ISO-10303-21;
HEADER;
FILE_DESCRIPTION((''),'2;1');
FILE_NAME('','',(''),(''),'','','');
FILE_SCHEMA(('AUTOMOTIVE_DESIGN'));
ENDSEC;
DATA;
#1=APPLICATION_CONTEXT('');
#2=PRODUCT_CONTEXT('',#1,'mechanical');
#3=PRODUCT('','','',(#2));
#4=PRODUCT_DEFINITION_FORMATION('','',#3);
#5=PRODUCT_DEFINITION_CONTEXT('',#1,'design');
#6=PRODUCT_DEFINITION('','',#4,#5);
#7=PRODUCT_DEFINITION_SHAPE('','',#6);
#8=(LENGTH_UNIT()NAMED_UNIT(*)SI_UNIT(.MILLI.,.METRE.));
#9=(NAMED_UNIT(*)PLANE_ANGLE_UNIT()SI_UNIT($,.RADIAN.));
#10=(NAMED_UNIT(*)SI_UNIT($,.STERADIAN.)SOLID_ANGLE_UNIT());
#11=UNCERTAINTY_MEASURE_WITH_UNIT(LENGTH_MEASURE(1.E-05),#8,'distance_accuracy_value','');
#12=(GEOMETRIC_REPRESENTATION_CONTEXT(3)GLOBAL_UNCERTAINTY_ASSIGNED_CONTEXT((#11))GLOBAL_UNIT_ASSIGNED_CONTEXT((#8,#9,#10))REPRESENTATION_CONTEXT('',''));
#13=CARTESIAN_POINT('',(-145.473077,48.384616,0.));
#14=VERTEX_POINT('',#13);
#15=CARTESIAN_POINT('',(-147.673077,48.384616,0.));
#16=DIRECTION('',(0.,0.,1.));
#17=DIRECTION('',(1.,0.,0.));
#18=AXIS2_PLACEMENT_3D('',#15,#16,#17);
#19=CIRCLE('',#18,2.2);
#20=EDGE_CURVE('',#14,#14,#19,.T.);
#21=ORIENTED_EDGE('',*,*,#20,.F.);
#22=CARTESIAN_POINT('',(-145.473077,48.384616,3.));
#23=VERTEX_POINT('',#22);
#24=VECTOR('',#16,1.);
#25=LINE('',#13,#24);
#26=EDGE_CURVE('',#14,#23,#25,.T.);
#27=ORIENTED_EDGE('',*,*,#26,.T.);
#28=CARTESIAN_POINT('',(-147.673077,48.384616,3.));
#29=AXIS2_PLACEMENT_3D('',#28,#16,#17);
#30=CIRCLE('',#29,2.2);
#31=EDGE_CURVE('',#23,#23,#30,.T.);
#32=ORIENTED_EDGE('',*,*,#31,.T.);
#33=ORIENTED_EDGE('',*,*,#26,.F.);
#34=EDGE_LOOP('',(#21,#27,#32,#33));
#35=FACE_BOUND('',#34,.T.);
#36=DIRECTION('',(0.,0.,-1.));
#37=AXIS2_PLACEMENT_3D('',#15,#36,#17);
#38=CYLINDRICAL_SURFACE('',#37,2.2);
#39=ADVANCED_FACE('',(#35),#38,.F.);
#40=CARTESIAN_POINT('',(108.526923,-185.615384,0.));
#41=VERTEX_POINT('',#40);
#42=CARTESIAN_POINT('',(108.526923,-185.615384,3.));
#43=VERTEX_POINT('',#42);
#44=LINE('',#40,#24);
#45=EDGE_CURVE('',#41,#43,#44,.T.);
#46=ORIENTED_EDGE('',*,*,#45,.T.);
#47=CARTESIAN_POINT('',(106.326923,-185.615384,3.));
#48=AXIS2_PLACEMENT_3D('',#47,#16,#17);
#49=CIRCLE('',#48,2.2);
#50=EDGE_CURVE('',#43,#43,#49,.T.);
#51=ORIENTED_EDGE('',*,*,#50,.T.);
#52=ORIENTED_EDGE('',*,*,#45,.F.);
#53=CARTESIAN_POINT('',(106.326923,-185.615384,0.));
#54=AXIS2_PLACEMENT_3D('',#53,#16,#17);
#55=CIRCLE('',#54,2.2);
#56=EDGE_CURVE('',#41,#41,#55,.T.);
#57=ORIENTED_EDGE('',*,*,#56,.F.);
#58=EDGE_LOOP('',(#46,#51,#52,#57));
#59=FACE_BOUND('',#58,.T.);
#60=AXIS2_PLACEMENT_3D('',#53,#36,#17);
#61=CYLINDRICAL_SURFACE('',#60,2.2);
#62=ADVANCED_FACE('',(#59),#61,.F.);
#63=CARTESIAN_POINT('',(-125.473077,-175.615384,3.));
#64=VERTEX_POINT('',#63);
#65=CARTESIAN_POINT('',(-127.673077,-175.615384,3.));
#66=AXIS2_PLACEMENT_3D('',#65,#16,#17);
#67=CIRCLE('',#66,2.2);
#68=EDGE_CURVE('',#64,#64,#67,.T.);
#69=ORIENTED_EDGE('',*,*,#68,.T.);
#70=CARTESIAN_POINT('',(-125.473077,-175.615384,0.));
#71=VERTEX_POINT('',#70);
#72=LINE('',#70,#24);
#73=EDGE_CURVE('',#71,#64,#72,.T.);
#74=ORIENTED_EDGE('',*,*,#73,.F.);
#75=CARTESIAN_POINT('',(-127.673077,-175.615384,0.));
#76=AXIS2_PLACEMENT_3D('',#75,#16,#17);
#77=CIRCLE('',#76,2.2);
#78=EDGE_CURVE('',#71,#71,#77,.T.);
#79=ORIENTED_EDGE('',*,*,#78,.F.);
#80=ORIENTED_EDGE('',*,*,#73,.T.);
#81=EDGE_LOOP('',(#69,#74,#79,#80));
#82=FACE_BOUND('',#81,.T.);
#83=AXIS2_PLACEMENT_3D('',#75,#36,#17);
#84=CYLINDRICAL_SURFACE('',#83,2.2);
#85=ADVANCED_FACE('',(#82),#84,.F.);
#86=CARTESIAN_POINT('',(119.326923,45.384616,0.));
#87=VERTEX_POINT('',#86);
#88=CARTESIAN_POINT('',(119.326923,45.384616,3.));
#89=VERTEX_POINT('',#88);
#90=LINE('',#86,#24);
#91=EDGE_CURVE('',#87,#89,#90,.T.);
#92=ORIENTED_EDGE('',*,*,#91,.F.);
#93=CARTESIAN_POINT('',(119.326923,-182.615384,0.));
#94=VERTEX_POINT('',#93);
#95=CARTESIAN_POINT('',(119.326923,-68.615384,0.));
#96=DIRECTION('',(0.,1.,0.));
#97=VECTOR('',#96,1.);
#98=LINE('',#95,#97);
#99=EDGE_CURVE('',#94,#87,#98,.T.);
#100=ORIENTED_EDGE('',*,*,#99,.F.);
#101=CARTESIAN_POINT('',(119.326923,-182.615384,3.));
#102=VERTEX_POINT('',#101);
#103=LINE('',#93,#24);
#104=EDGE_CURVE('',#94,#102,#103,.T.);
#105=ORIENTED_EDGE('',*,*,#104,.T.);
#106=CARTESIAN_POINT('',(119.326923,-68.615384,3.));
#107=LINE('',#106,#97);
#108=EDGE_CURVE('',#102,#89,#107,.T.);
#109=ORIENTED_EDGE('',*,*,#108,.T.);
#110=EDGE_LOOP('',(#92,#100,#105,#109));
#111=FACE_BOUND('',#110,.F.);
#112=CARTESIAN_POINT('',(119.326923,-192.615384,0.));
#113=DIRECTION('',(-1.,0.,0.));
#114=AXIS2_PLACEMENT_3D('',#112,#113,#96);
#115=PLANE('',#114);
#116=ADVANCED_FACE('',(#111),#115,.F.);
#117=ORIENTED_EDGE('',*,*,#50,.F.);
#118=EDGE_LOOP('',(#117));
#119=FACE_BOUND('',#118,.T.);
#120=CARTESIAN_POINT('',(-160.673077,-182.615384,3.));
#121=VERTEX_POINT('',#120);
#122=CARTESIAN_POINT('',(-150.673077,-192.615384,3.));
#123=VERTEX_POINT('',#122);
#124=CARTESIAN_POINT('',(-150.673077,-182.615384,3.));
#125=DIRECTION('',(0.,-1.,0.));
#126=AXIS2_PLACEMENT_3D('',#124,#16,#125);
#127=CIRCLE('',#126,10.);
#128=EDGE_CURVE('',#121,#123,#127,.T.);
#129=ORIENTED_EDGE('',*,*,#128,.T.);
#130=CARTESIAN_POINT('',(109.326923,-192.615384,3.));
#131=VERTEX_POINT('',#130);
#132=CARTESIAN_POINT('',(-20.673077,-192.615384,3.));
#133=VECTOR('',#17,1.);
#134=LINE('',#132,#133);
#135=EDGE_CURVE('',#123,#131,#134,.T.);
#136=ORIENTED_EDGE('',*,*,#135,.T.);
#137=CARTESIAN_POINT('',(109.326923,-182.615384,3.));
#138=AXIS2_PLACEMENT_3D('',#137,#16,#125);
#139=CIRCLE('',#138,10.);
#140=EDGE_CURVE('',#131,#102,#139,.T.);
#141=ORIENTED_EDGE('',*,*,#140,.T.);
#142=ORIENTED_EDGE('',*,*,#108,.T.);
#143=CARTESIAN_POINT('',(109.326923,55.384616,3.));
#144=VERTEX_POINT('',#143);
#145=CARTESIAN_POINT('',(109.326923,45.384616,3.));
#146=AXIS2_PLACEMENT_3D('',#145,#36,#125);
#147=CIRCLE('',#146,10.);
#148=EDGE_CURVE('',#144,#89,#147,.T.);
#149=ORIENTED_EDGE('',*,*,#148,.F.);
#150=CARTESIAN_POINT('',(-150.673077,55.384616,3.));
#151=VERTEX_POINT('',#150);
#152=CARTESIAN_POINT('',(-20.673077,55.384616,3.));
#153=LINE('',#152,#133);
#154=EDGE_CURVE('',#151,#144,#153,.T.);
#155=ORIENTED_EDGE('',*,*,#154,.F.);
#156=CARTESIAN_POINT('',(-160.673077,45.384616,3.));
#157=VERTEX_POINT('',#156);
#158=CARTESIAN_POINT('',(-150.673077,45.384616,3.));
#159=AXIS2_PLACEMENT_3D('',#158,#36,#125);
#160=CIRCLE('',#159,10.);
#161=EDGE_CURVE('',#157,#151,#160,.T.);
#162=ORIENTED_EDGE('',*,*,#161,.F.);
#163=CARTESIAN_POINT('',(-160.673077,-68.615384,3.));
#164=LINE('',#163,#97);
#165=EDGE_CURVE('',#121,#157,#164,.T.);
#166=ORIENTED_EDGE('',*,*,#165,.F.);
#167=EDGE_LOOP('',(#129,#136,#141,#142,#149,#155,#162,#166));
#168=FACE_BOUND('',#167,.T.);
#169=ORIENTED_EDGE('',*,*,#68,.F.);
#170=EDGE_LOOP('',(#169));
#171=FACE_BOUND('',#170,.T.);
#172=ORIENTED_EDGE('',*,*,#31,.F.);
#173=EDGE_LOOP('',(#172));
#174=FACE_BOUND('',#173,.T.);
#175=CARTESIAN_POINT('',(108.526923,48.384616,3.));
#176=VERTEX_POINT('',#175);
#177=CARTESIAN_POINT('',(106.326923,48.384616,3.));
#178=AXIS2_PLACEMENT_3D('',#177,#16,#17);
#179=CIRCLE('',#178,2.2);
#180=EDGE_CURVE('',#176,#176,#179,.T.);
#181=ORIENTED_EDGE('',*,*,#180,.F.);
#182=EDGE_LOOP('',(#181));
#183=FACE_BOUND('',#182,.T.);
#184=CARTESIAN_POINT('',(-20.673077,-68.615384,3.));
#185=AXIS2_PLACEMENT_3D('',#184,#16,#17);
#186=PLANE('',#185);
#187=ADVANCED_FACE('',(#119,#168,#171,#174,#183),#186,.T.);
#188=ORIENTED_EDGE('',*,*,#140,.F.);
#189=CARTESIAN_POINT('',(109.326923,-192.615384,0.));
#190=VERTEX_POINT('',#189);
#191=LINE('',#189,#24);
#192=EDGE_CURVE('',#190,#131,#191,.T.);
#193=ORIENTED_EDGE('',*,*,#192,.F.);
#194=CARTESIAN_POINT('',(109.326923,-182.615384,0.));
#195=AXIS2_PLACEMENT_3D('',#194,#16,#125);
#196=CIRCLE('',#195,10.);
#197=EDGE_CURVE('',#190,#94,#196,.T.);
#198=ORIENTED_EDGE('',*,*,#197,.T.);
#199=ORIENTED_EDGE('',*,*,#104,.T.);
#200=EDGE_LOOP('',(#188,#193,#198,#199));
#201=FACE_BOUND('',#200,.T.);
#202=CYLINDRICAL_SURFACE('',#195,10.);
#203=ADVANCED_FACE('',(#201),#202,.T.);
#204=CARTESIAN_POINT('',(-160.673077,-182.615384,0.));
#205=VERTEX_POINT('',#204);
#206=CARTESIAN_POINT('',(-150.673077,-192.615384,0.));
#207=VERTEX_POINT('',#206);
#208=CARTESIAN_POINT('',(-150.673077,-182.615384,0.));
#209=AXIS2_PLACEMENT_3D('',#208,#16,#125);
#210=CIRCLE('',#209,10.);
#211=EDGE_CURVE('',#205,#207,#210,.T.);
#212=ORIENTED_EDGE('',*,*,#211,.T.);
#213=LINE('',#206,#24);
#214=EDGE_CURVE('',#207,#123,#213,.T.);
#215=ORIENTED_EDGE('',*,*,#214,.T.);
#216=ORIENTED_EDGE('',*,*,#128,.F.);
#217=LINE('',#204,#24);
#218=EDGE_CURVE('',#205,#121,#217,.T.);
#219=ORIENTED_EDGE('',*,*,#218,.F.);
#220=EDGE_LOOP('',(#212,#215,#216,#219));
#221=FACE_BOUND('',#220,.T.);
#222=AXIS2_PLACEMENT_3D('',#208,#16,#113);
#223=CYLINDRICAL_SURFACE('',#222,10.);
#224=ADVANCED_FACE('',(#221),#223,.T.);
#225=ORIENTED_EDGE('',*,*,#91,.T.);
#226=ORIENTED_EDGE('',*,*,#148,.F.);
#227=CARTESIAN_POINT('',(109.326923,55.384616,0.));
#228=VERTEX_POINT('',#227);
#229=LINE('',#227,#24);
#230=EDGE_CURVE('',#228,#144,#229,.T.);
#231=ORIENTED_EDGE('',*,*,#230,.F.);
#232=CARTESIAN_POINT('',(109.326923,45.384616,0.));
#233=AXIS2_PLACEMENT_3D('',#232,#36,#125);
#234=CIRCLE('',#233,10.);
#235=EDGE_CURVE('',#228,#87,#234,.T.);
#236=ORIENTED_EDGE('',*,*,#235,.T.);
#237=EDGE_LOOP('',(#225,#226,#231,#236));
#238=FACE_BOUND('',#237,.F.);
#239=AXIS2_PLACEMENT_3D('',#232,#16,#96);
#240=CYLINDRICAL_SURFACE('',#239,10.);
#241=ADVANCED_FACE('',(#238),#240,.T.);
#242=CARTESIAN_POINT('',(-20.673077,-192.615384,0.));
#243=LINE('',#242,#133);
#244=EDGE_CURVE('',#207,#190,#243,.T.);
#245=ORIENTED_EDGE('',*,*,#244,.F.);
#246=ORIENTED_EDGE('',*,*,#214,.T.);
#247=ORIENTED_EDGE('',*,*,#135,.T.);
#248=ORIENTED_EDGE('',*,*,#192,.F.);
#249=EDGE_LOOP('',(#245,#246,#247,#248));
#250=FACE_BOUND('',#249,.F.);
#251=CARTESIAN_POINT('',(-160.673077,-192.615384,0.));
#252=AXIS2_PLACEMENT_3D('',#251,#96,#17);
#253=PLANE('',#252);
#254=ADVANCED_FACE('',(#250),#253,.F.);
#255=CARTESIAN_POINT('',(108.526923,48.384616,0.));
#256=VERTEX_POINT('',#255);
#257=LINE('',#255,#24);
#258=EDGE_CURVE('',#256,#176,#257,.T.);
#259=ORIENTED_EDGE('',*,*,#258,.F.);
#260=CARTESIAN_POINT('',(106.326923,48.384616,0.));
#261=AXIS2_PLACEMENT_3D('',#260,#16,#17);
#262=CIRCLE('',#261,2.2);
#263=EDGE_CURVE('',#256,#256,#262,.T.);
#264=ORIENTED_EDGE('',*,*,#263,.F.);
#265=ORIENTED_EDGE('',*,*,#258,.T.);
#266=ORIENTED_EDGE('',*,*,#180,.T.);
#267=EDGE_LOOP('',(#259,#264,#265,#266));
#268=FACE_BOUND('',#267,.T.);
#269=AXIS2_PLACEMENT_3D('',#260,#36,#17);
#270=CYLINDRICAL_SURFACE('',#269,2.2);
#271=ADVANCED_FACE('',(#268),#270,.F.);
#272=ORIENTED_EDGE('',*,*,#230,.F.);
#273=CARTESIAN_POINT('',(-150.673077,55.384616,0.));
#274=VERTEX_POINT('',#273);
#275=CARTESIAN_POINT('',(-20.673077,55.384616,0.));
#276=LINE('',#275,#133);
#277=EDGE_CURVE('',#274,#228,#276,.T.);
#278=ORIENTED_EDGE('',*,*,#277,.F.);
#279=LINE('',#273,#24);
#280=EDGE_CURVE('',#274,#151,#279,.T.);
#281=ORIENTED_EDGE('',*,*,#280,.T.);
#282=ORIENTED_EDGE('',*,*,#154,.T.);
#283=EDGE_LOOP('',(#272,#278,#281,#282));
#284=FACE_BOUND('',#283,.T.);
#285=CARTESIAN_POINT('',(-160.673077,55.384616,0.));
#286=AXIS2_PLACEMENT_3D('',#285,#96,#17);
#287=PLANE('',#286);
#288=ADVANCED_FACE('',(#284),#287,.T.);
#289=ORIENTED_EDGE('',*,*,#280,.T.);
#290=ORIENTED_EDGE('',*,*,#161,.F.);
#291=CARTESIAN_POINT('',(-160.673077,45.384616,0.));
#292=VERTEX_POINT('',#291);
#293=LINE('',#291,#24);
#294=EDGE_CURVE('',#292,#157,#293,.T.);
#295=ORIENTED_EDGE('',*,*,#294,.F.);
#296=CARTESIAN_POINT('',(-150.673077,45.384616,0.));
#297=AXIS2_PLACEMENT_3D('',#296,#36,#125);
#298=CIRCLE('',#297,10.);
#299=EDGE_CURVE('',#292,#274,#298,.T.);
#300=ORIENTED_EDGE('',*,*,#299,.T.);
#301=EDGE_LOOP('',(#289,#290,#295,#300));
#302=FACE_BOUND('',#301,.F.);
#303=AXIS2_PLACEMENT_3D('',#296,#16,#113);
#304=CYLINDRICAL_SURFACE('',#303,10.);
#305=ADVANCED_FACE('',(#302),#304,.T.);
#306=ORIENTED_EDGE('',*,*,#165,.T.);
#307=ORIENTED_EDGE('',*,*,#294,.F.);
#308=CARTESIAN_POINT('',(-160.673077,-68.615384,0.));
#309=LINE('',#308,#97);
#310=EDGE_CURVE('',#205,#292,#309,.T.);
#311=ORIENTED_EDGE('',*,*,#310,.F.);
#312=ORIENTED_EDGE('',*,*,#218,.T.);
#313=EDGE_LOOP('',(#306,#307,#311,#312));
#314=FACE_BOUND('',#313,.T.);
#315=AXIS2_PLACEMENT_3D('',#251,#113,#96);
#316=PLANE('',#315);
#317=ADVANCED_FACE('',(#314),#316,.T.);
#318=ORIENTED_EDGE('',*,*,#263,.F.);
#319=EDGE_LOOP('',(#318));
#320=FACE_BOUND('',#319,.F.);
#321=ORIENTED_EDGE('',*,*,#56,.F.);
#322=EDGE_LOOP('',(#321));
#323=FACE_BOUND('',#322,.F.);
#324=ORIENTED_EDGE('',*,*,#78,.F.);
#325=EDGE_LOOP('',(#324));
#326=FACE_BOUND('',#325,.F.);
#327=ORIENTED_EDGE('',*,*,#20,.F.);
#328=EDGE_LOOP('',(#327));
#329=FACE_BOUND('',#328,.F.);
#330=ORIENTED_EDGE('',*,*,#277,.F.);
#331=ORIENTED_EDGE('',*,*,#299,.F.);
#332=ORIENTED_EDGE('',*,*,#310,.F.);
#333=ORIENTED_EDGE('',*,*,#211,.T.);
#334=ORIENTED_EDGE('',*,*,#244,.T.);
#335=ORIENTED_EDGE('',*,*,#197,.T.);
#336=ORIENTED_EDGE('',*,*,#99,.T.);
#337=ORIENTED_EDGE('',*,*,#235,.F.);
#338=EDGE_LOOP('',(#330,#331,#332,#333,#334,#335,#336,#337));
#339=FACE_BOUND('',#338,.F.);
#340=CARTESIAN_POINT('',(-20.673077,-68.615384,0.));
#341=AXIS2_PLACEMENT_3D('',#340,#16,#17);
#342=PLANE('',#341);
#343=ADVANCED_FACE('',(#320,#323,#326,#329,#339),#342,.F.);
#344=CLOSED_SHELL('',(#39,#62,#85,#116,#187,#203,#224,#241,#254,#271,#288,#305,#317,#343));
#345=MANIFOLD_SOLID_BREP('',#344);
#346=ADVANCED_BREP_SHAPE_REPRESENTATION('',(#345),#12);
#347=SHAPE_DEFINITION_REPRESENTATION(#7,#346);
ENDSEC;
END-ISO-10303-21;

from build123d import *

# Parameters (mm, degrees)
F0_W     = 280
F0_H     = 248
F0_R     = 2.2
F1_DEPTH = 3
F2_R     = 10


with BuildPart() as f1:
    # F0 (on Top) → F1 (new body)
    with BuildSketch(Plane.XY):
        with Locations((-20.673077, -68.615384)):
            Rectangle(F0_W, F0_H)
        with Locations((-127.673077, -175.615384)):
            Circle(F0_R, mode=Mode.SUBTRACT)
        with Locations((106.326923, -185.615384)):
            Circle(F0_R, mode=Mode.SUBTRACT)
        with Locations((-147.673077, 48.384616)):
            Circle(F0_R, mode=Mode.SUBTRACT)
        with Locations((106.326923, 48.384616)):
            Circle(F0_R, mode=Mode.SUBTRACT)
    extrude(amount=F1_DEPTH)

    # F2
    f2_edges = [f1.edges().sort_by_distance(p)[0] for p in [
        (-160.673077, 55.384616, 1.5),
        (119.326923, 55.384616, 1.5),
        (119.326923, -192.615384, 1.5),
        (-160.673077, -192.615384, 1.5),
    ]]
    fillet(f2_edges, radius=F2_R)


solid = f1.part
